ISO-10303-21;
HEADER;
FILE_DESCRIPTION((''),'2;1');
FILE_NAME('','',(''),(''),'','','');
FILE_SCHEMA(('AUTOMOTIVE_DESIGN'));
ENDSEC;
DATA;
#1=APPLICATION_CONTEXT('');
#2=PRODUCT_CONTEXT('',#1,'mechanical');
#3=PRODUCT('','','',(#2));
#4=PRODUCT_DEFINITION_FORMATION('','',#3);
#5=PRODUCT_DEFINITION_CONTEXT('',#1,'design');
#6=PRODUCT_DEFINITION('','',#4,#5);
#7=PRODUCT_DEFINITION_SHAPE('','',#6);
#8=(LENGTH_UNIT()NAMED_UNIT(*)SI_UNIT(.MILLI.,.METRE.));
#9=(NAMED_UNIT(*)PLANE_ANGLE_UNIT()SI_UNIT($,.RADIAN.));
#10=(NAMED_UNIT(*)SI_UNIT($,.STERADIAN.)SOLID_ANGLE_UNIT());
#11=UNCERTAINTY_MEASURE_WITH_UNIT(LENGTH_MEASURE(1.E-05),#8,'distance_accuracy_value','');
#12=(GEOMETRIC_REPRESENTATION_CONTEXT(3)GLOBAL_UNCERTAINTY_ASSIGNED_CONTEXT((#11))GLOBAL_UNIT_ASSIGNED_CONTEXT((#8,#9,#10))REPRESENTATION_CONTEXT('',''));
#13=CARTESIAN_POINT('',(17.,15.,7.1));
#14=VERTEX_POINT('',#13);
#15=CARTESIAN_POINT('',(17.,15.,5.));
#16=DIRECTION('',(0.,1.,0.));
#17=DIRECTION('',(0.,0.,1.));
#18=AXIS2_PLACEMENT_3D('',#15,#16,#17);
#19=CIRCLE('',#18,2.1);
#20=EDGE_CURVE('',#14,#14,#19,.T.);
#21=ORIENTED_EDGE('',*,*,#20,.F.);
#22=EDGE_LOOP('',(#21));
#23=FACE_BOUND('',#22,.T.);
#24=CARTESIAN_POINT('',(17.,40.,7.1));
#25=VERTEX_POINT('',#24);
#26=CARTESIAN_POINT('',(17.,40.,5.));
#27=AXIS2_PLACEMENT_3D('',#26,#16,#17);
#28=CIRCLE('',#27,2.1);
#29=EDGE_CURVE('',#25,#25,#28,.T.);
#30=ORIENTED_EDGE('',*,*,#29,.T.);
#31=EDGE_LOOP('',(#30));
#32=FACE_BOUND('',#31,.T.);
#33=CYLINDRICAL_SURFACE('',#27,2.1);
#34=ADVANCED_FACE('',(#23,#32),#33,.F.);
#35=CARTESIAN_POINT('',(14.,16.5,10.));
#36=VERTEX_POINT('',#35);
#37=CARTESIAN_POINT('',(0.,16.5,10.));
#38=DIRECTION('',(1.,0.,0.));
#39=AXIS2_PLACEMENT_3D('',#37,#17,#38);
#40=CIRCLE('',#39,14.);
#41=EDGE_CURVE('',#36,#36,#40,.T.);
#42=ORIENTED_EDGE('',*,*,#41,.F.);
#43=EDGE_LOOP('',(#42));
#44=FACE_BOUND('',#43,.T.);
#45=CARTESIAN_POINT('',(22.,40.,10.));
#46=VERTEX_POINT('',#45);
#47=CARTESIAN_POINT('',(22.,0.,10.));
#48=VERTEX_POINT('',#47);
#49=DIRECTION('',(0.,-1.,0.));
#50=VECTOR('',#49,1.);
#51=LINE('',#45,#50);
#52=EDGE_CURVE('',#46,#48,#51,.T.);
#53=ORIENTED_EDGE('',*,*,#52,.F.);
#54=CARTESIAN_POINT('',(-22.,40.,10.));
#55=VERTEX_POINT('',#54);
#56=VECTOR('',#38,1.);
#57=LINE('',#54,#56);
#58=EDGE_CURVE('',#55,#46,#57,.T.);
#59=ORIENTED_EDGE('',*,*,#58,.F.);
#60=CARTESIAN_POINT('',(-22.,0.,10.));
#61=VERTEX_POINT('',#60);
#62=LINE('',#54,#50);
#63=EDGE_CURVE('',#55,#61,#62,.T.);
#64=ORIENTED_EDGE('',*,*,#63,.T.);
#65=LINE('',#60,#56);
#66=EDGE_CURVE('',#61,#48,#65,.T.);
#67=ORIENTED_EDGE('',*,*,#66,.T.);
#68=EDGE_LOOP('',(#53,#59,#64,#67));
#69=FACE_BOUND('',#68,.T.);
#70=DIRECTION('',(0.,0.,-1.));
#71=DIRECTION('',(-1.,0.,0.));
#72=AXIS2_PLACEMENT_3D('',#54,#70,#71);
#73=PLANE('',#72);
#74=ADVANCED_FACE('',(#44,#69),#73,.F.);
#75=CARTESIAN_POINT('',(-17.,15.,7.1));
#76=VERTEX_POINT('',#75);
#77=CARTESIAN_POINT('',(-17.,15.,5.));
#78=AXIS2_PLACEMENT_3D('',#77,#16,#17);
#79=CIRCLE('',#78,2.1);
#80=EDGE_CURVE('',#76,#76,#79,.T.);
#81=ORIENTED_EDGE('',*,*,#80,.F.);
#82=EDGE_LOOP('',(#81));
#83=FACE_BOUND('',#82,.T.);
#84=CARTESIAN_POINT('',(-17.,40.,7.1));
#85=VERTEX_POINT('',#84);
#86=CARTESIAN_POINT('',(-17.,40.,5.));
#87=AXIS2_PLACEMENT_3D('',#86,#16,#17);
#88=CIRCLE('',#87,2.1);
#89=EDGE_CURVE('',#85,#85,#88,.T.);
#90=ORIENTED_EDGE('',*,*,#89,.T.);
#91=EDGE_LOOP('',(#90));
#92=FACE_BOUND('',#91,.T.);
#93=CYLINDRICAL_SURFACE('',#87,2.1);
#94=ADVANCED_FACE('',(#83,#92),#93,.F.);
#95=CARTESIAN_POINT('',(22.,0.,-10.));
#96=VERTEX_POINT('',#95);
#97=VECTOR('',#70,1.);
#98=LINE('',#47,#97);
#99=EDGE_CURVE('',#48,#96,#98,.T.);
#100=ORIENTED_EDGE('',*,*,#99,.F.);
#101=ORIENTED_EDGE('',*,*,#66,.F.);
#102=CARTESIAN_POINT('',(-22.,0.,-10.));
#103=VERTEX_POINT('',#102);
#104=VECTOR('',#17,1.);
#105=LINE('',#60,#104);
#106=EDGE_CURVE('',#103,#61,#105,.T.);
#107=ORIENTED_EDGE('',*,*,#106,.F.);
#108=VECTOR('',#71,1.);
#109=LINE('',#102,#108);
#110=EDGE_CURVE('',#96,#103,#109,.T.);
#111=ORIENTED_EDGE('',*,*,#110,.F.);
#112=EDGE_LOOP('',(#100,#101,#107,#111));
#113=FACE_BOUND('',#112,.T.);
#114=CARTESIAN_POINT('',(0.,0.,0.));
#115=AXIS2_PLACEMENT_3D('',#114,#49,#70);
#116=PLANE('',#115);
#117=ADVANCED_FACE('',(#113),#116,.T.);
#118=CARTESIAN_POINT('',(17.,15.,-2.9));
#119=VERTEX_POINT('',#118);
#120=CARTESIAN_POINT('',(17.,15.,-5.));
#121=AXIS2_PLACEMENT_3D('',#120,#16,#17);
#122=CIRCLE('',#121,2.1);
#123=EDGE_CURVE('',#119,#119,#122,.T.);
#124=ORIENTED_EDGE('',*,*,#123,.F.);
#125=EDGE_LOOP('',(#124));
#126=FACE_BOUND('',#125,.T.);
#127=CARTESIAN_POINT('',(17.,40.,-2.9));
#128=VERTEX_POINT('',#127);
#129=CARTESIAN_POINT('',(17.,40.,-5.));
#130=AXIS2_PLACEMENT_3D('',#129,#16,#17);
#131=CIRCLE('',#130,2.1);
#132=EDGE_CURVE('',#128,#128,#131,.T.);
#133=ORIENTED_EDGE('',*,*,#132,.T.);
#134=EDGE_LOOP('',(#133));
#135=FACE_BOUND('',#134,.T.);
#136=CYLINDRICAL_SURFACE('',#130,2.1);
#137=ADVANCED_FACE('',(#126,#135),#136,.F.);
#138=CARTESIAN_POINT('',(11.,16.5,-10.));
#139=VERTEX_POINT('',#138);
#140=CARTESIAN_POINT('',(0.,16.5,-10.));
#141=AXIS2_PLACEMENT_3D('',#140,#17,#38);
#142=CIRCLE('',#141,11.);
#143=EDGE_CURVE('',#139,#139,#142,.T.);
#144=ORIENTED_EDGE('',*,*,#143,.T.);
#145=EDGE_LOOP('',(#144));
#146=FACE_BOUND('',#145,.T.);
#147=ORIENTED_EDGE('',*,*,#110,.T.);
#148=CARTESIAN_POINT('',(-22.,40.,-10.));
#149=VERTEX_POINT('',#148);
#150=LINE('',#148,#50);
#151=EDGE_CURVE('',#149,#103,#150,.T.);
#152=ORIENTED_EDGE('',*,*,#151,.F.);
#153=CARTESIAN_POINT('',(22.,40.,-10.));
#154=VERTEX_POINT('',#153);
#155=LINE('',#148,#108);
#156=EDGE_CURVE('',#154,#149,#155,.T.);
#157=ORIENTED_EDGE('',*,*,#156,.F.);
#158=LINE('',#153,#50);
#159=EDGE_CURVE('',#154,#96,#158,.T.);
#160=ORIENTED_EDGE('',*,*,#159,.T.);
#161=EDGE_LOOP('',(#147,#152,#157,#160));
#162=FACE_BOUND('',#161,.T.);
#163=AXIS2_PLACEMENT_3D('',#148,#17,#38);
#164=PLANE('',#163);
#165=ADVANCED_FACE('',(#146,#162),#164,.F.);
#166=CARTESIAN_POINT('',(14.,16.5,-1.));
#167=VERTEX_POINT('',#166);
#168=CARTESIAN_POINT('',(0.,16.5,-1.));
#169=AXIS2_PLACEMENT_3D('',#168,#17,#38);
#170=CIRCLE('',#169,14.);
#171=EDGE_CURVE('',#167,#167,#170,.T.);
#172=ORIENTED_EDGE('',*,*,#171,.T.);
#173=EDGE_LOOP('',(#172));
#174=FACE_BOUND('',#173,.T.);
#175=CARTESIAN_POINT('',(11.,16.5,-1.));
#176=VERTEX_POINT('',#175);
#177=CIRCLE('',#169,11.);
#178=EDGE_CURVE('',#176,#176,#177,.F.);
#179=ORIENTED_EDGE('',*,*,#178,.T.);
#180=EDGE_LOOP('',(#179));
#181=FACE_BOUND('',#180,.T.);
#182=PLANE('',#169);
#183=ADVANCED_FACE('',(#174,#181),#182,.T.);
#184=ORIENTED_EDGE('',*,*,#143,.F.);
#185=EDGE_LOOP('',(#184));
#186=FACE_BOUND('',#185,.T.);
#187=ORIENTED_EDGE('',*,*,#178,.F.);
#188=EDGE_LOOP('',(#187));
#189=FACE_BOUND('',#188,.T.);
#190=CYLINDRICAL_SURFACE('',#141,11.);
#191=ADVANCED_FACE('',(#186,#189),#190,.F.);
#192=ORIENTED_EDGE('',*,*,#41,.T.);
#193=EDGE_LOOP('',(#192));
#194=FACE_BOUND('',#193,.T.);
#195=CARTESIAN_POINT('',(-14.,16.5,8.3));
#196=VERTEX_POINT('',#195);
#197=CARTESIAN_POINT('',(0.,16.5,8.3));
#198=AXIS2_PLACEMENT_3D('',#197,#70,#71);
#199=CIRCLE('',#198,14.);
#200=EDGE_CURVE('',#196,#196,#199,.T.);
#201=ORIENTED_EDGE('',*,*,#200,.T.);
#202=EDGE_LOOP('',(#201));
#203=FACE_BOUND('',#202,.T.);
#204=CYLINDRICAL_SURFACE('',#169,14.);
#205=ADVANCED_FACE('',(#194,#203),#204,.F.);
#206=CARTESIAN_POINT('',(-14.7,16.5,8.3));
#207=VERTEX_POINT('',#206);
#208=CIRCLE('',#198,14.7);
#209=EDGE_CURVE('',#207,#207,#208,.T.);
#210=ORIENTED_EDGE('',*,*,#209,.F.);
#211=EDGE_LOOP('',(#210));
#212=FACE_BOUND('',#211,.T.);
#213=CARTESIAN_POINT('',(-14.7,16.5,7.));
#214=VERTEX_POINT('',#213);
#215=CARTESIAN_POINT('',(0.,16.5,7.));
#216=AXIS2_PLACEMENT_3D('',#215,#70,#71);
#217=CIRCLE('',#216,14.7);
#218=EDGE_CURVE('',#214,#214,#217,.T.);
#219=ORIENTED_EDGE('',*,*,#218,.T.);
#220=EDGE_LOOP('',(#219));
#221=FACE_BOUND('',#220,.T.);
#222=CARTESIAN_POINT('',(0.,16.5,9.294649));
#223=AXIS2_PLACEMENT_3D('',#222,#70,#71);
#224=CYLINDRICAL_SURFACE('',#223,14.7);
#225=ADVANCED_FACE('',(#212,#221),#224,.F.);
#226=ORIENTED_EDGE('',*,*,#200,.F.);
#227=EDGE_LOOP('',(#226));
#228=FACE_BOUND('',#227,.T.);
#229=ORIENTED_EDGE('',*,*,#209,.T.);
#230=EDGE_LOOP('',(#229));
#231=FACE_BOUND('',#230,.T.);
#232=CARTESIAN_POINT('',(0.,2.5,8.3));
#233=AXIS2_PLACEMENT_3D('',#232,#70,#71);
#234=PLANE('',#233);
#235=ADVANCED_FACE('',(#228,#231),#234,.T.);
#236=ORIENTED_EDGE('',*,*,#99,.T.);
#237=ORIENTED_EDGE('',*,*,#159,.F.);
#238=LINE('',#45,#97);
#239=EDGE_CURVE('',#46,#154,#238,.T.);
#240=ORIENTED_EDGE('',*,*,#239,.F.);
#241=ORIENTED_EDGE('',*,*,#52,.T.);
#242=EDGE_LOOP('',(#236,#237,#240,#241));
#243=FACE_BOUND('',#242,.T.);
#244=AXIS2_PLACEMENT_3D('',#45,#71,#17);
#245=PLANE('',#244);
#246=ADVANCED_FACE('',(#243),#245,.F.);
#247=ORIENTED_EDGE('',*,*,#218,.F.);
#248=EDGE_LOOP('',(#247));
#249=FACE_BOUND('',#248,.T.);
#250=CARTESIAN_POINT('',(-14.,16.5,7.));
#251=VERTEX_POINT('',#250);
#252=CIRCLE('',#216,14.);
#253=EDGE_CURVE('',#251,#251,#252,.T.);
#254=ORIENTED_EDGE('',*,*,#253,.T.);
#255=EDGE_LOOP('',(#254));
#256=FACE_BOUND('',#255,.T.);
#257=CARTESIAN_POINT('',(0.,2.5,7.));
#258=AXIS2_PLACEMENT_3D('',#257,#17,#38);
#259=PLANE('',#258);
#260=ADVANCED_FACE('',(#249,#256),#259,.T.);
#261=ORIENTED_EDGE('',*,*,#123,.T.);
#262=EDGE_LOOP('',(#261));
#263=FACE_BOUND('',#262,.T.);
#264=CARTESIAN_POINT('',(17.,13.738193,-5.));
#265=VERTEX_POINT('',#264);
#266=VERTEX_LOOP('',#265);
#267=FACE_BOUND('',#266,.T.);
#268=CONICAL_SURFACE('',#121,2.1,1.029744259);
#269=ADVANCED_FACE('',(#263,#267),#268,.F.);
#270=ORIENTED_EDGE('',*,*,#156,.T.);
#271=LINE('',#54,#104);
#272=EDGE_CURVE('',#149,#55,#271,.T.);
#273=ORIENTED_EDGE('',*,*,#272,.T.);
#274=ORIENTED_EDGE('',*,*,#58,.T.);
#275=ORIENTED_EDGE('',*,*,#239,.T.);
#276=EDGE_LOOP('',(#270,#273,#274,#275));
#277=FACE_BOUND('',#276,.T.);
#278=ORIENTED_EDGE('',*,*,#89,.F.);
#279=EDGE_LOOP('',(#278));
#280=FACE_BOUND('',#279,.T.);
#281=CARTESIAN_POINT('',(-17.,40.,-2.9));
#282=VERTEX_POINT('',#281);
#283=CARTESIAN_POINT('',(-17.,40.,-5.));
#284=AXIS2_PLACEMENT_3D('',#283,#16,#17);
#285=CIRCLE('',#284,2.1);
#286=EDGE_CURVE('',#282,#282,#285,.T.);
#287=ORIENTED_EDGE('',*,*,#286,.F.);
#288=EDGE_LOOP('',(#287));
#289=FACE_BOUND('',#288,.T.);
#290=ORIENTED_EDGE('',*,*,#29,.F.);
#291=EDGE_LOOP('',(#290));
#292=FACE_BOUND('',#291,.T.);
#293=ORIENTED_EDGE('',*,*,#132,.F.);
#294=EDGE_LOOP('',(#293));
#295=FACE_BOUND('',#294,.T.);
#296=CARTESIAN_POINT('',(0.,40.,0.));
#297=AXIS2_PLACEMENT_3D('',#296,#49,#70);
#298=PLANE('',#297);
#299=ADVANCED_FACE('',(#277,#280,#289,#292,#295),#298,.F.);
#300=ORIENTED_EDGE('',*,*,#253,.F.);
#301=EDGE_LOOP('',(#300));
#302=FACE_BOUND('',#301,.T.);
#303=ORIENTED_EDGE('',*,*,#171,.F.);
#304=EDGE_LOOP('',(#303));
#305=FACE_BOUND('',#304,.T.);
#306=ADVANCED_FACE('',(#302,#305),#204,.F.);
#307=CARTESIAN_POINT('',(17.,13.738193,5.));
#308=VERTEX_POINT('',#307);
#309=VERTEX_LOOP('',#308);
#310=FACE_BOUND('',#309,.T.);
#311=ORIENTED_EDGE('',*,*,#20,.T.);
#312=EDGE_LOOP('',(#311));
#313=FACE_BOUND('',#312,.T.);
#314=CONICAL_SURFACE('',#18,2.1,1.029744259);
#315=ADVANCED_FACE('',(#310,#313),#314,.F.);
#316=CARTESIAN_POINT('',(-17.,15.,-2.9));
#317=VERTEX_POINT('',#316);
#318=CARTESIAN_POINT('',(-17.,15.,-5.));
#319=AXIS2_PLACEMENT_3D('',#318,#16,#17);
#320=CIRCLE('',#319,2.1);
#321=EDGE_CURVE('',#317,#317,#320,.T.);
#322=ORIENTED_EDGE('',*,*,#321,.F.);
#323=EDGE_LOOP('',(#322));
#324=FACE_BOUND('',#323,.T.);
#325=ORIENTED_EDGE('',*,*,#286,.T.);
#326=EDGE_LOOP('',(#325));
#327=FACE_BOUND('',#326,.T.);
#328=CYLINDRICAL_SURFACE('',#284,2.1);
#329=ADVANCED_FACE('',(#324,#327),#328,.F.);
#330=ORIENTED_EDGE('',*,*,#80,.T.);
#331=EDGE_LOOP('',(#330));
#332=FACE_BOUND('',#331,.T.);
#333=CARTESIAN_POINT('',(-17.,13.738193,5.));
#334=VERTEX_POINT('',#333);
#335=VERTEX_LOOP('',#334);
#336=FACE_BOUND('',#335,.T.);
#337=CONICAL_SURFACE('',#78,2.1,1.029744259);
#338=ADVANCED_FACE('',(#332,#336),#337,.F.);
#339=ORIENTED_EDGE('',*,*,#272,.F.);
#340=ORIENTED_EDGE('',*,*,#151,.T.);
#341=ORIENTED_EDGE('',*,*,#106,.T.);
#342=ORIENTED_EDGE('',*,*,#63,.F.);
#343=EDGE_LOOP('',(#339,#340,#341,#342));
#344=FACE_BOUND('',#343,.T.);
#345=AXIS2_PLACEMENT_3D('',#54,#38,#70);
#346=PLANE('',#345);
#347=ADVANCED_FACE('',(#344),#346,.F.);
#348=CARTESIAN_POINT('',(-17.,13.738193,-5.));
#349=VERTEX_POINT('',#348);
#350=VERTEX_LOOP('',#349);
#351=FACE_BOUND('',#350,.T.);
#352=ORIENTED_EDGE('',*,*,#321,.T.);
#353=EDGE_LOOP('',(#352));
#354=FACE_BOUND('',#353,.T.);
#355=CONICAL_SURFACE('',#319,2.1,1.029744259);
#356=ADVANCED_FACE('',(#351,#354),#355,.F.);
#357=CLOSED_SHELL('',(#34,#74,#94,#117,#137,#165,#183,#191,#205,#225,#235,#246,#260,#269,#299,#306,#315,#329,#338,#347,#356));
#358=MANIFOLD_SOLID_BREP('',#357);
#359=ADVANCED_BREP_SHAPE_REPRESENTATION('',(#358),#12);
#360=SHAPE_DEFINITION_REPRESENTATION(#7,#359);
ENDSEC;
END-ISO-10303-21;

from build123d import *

# Parameters (mm, degrees)
SZKIC1_W                       = 44
SZKIC1_H                       = 20
DODANIE_WYCI_GNI_CIE1_DEPTH    = 40
SZKIC3_R                       = 11
WYTNIJ_WYCI_GNI_CIE2_DEPTH     = 50.839743178
SZKIC4_R                       = 14
WYTNIJ_WYCI_GNI_CIE3_DEPTH     = 11
OTW_R_GWINTOWANY_M5X0_81_D     = 4.2
OTW_R_GWINTOWANY_M5X0_81_DEPTH = 25
OTW_R_GWINTOWANY_M5X0_81_TIP   = 1.2618073
SZKIC5_W                       = 1.3
SZKIC5_H                       = 0.7


with BuildPart() as part:
    # Szkic1 → Dodanie-wyciągnięcie1 (new body)
    with BuildSketch(Plane(origin=(0, 0, 0), x_dir=(1, 0, 0), z_dir=(0, 1, 0))):
        Rectangle(SZKIC1_W, SZKIC1_H)
    extrude(amount=DODANIE_WYCI_GNI_CIE1_DEPTH)

    # Szkic3 → Wytnij-wyciągnięcie2 (cut, through all)
    with BuildSketch(Plane.XY.offset(10)):
        with Locations((0, 16.5)):
            Circle(SZKIC3_R)
    extrude(amount=-WYTNIJ_WYCI_GNI_CIE2_DEPTH, mode=Mode.SUBTRACT)

    # Szkic4 → Wytnij-wyciągnięcie3 (cut)
    with BuildSketch(Plane.XY.offset(10)):
        with Locations((0, 16.5)):
            Circle(SZKIC4_R)
    extrude(amount=-WYTNIJ_WYCI_GNI_CIE3_DEPTH, mode=Mode.SUBTRACT)

    # Otwór gwintowany M5x0.81
    with Locations(Plane(origin=(0, 40, 0), x_dir=(1, 0, 0), z_dir=(0, 1, 0))):
        with Locations((17, 5), (17, -5), (-17, -5), (-17, 5)):
            Hole(OTW_R_GWINTOWANY_M5X0_81_D / 2, depth=OTW_R_GWINTOWANY_M5X0_81_DEPTH)
            with Locations((0, 0, -(OTW_R_GWINTOWANY_M5X0_81_DEPTH + OTW_R_GWINTOWANY_M5X0_81_TIP / 2))):  # 118° drill point
                Cone(0, OTW_R_GWINTOWANY_M5X0_81_D / 2, OTW_R_GWINTOWANY_M5X0_81_TIP, mode=Mode.SUBTRACT)

    # Szkic5 → Wycięcie-obrót1 (revolve, cut)
    with BuildSketch(Plane(origin=(0, 0, 0), x_dir=(0, 0, -1), z_dir=(1, 0, 0)), mode=Mode.PRIVATE) as wyci_cie_obr_t1_sk:
        with Locations((-7.65, 2.15)):
            Rectangle(SZKIC5_W, SZKIC5_H)
    revolve(wyci_cie_obr_t1_sk.sketch.rotate(Axis((0, 16.5, 9.294649117), (0, 0, 1)), 90), axis=Axis((0, 16.5, 9.294649117), (0, 0, 1)), mode=Mode.SUBTRACT)


solid = part.part
